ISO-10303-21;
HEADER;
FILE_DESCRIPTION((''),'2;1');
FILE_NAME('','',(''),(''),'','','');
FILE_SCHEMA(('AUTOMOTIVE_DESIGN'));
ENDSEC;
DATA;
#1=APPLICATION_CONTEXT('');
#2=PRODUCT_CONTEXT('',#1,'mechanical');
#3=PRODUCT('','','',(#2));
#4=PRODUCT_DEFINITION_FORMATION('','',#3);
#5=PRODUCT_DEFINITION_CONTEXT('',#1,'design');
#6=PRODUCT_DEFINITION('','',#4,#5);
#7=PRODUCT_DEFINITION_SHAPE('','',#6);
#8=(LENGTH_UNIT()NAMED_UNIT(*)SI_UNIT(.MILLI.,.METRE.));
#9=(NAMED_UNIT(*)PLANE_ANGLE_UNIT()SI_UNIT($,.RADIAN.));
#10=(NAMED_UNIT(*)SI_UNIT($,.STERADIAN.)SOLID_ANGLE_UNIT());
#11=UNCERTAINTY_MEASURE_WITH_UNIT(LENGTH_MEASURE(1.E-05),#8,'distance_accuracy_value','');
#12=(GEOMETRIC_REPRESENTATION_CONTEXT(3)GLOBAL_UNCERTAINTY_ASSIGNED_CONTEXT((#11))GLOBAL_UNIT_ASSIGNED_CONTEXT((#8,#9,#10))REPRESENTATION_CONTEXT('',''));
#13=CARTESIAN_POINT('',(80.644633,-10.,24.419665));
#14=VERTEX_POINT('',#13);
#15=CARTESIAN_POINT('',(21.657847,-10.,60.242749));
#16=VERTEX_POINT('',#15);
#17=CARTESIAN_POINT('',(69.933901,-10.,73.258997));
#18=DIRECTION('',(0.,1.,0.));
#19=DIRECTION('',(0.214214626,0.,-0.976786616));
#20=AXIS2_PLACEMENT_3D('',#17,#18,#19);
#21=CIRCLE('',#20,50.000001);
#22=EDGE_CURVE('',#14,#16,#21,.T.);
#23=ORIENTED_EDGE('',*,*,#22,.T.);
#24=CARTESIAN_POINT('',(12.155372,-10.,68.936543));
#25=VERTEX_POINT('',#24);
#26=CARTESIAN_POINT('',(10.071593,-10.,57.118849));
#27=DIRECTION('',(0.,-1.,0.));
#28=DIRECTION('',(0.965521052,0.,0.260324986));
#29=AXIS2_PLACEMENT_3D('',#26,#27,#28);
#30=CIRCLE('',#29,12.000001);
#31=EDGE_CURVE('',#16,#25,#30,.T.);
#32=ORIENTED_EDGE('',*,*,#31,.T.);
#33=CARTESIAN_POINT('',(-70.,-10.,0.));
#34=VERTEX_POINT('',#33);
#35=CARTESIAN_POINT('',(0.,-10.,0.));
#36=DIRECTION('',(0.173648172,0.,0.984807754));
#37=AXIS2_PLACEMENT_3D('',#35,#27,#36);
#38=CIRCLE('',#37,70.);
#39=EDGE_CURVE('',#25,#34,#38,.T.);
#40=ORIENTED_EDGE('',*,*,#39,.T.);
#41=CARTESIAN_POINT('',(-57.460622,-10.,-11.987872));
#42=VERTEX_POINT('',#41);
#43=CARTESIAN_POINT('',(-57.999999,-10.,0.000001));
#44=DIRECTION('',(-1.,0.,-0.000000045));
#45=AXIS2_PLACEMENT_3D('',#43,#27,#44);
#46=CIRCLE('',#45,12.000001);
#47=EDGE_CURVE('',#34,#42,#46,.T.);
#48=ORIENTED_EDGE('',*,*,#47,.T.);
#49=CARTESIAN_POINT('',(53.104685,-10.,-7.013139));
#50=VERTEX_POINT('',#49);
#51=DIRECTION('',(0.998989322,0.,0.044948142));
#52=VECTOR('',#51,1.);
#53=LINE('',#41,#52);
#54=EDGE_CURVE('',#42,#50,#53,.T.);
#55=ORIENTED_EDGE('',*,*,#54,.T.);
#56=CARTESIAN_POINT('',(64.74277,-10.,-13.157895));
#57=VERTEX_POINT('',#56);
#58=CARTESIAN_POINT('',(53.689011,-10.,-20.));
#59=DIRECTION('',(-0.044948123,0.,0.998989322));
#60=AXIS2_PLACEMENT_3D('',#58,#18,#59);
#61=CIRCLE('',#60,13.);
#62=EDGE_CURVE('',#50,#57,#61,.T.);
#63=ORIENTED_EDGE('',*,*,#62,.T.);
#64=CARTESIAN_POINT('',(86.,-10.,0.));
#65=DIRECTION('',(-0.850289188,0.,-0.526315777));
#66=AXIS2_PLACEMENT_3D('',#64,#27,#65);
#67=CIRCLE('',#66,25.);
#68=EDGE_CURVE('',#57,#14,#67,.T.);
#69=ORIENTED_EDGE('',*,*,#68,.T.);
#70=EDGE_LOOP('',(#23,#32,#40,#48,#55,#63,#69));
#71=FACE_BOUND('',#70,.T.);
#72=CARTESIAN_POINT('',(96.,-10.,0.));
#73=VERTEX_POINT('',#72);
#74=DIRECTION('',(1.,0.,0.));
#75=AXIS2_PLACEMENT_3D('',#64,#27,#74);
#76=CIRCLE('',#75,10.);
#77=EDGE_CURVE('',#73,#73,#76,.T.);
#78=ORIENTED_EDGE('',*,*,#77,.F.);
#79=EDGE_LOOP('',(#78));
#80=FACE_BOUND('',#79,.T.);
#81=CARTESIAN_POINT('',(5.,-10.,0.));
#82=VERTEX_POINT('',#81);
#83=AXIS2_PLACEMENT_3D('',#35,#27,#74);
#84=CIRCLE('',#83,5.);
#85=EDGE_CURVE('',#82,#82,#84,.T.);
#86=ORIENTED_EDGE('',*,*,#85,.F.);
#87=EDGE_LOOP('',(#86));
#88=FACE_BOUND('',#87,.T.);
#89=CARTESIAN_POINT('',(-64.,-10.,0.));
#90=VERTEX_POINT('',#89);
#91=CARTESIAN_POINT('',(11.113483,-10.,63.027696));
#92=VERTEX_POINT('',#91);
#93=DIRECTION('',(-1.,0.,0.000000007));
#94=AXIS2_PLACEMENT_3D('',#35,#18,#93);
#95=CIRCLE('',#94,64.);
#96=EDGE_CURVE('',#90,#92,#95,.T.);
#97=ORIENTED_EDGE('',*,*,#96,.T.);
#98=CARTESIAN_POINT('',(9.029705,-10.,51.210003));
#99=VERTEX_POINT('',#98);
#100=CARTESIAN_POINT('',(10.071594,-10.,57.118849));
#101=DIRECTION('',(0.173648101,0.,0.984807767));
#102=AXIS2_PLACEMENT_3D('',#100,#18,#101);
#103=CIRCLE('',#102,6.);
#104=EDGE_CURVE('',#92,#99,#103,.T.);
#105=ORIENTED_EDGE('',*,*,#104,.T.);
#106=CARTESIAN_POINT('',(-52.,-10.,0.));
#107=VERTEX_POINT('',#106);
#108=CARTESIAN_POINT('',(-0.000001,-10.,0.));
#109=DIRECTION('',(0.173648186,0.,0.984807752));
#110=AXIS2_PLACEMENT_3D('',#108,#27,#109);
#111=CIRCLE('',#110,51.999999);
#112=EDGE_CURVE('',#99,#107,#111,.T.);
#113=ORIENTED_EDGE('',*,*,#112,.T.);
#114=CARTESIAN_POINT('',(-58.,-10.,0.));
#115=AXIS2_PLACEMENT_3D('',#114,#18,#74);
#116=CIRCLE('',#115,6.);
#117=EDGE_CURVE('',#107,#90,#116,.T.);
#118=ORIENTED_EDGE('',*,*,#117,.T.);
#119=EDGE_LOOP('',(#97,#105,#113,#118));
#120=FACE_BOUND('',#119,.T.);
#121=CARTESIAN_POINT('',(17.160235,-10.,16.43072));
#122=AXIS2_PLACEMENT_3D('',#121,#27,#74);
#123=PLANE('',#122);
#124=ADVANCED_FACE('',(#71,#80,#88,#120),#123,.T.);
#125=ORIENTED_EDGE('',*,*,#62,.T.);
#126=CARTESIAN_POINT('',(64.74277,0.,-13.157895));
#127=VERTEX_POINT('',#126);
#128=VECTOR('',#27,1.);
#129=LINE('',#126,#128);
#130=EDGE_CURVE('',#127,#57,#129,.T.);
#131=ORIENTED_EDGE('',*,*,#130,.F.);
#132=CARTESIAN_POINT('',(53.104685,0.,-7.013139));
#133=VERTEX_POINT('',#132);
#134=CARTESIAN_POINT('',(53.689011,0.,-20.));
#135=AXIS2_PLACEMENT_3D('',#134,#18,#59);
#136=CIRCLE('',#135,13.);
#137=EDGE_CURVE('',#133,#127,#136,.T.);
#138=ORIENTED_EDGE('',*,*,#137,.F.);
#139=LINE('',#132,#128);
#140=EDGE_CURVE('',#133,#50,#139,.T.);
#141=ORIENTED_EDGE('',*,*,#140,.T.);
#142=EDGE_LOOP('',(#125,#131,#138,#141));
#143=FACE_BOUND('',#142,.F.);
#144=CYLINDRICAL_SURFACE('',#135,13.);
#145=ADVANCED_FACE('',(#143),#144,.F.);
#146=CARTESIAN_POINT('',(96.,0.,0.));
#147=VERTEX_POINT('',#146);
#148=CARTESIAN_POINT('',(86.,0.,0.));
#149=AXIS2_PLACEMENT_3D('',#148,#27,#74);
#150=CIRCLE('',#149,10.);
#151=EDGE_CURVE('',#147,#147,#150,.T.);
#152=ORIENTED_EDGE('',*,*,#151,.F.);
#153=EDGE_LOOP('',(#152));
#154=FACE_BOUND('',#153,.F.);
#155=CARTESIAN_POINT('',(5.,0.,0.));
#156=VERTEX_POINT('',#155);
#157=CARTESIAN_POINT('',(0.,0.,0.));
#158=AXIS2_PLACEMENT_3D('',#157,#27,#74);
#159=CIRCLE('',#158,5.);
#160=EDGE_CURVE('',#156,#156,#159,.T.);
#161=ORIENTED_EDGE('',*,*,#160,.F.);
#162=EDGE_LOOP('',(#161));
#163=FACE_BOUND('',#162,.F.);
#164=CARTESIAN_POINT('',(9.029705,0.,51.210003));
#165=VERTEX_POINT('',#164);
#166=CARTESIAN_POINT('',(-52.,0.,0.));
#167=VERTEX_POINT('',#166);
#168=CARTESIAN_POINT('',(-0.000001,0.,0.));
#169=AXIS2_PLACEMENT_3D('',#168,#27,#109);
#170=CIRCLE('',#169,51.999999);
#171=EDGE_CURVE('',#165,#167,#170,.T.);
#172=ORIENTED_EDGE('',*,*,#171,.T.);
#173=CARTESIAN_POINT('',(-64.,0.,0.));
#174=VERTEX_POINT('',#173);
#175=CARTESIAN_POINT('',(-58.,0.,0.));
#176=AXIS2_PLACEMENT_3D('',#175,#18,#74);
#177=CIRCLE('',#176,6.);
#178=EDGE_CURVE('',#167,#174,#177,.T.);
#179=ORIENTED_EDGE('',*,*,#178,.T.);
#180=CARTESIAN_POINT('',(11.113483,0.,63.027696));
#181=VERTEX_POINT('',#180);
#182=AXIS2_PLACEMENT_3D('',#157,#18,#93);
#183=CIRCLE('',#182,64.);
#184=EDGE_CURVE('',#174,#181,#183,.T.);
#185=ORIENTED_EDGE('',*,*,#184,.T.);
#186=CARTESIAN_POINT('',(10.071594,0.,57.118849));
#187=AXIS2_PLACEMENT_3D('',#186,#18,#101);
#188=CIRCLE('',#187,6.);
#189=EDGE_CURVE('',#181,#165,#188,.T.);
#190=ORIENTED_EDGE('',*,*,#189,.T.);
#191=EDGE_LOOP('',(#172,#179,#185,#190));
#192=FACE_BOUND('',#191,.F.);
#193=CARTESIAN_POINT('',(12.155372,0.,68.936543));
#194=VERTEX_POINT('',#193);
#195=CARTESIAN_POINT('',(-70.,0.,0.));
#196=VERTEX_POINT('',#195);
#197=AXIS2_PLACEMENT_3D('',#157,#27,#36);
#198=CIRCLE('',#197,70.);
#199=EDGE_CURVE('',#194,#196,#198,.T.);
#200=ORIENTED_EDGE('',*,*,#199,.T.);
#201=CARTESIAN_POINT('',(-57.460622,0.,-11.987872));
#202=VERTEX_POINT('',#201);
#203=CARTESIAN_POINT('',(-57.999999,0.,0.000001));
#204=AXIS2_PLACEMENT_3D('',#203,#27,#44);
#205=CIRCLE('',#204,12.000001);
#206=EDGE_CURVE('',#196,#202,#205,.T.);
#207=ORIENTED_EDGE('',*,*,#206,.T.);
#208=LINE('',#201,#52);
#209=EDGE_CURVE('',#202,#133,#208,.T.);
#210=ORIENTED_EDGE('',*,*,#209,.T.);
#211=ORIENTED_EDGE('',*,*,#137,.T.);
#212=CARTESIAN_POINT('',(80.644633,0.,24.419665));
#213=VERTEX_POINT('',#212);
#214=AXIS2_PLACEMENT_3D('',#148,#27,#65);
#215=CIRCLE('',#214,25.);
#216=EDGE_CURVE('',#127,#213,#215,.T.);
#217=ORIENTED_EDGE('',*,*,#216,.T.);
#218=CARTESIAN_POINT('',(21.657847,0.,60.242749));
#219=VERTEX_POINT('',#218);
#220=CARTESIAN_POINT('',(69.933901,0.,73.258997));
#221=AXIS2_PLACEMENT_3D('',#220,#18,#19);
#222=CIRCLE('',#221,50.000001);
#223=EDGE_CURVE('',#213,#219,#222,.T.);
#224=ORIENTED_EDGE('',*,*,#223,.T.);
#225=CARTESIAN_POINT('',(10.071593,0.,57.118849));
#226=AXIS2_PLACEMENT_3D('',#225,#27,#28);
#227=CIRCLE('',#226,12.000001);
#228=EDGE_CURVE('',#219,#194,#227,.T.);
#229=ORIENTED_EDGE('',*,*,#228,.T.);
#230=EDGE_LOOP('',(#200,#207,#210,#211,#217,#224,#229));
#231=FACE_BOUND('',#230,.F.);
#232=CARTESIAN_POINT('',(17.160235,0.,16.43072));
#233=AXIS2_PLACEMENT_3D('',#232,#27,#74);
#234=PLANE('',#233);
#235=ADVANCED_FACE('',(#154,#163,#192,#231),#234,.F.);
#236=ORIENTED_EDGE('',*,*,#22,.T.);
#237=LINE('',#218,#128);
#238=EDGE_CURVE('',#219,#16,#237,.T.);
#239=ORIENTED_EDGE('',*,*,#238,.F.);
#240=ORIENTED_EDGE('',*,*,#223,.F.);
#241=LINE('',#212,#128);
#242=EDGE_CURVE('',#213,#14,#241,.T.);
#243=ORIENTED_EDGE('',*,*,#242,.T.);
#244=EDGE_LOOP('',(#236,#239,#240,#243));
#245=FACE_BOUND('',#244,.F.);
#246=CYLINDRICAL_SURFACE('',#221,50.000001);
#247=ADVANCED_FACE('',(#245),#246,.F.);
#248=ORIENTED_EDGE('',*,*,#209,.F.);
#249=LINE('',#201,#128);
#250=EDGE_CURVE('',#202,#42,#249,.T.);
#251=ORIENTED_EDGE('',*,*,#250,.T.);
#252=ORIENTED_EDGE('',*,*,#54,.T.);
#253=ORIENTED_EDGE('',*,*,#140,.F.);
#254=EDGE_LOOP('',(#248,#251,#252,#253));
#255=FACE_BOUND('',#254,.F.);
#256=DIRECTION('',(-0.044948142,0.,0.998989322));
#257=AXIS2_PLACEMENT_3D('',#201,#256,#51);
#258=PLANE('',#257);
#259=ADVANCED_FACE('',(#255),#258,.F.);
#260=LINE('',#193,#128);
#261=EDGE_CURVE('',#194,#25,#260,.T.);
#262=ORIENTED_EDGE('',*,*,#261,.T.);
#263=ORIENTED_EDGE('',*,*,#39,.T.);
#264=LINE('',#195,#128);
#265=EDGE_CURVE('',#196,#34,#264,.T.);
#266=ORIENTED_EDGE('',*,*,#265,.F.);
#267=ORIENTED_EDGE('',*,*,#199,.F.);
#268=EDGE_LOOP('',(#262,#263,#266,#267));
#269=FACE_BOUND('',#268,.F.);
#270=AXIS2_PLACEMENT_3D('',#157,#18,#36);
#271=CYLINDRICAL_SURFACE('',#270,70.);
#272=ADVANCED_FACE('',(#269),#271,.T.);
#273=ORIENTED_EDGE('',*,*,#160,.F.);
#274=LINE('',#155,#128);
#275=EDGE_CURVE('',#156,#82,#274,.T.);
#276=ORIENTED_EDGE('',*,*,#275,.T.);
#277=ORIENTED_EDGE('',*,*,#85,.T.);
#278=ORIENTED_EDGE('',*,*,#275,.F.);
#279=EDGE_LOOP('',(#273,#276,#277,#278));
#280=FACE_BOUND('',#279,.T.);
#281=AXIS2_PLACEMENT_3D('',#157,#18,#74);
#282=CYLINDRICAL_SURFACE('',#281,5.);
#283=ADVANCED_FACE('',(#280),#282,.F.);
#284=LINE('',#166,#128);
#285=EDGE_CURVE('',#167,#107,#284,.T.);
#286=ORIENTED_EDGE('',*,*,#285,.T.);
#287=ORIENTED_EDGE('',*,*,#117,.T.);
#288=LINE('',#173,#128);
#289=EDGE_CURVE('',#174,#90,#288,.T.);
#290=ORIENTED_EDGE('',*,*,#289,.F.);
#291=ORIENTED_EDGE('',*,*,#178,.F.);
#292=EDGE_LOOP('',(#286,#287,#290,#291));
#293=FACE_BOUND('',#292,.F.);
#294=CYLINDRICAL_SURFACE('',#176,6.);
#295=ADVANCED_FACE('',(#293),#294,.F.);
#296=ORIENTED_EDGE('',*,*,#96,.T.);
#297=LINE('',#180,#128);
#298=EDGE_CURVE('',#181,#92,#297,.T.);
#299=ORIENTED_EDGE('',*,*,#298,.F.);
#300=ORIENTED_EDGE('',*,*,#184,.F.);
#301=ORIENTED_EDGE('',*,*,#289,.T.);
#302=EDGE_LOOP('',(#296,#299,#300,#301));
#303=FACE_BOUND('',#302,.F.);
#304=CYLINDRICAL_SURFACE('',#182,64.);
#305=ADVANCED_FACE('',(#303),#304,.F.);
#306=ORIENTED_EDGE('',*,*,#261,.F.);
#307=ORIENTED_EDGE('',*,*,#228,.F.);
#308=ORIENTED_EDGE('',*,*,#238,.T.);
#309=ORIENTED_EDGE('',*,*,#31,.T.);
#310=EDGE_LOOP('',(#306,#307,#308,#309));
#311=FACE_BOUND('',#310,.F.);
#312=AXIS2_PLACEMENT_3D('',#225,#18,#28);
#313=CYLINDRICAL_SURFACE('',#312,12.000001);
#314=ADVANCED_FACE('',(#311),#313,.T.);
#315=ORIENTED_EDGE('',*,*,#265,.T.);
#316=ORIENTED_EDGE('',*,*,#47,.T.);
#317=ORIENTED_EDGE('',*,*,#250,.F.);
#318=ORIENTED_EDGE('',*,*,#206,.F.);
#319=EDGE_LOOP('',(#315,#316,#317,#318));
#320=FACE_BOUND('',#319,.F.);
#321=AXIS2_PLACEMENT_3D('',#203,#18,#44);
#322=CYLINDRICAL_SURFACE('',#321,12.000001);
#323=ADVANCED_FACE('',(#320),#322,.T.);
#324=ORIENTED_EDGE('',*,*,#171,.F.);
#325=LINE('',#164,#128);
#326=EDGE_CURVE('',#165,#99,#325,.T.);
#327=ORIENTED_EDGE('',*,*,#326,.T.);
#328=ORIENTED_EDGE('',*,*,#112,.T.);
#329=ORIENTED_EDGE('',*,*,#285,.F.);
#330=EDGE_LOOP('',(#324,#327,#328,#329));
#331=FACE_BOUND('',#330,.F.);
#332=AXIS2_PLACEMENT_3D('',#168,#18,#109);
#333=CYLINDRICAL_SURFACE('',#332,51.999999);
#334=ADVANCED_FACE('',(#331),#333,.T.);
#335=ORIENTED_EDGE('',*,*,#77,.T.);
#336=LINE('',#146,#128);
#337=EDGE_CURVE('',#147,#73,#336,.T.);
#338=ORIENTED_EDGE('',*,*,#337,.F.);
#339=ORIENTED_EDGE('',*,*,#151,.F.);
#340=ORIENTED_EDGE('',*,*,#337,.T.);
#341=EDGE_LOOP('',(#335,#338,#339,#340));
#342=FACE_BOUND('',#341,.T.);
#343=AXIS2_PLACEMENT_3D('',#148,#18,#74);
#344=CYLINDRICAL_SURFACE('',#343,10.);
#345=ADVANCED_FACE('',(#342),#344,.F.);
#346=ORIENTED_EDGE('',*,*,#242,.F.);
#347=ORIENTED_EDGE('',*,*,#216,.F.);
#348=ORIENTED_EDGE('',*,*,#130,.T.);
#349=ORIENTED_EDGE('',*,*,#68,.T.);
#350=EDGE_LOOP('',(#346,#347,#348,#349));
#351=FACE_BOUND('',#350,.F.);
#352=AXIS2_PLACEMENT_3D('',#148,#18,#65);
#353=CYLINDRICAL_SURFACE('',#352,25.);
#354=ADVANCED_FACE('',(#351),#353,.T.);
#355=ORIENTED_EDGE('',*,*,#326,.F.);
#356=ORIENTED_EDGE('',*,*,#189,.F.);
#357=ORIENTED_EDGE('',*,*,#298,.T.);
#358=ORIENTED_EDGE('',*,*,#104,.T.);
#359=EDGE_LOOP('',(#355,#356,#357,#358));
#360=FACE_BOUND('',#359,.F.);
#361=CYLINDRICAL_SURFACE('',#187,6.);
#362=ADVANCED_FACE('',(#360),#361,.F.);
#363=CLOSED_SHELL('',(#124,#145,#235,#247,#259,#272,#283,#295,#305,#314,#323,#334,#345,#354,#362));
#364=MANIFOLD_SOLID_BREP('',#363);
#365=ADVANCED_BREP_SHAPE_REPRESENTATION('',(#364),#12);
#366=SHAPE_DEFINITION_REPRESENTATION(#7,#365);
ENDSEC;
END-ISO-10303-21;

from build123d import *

# Parameters (mm, degrees)
F0_R     = 5
F0_R_2   = 10
F1_DEPTH = 10


with BuildPart() as f1:
    # F0 (on Front) → F1 (new body)
    with BuildSketch(Plane.XZ):
        with BuildLine():
            ThreePointArc((21.657847, 60.242749), (18.171776, 65.972496), (12.155372, 68.936543))
            ThreePointArc((12.155372, 68.936543), (-44.995133, 53.623111), (-70, 0))
            ThreePointArc((-70, 0), (-66.29239, -8.673884), (-57.460622, -11.987872))
            Line((-57.460622, -11.987872), (53.104685, -7.013139))
            ThreePointArc((53.104685, -7.013139), (59.758753, -8.503991), (64.74277, -13.157895))
            ThreePointArc((64.74277, -13.157895), (109.023376, -9.742904), (80.644633, 24.419665))
            ThreePointArc((80.644633, 24.419665), (43.979871, 30.522731), (21.657847, 60.242749))
        make_face()
        Circle(F0_R, mode=Mode.SUBTRACT)
        with Locations((86, 0)):
            Circle(F0_R_2, mode=Mode.SUBTRACT)
        with BuildLine():
            ThreePointArc((-64, 0), (-41.138407, 49.026844), (11.113483, 63.027696))
            ThreePointArc((11.113483, 63.027696), (15.980441, 56.076961), (9.029705, 51.210003))
            ThreePointArc((9.029705, 51.210003), (-33.424956, 39.834311), (-52, 0))
            ThreePointArc((-52, 0), (-58, -6), (-64, 0))
        make_face(mode=Mode.SUBTRACT)
    extrude(amount=F1_DEPTH)


solid = f1.part
